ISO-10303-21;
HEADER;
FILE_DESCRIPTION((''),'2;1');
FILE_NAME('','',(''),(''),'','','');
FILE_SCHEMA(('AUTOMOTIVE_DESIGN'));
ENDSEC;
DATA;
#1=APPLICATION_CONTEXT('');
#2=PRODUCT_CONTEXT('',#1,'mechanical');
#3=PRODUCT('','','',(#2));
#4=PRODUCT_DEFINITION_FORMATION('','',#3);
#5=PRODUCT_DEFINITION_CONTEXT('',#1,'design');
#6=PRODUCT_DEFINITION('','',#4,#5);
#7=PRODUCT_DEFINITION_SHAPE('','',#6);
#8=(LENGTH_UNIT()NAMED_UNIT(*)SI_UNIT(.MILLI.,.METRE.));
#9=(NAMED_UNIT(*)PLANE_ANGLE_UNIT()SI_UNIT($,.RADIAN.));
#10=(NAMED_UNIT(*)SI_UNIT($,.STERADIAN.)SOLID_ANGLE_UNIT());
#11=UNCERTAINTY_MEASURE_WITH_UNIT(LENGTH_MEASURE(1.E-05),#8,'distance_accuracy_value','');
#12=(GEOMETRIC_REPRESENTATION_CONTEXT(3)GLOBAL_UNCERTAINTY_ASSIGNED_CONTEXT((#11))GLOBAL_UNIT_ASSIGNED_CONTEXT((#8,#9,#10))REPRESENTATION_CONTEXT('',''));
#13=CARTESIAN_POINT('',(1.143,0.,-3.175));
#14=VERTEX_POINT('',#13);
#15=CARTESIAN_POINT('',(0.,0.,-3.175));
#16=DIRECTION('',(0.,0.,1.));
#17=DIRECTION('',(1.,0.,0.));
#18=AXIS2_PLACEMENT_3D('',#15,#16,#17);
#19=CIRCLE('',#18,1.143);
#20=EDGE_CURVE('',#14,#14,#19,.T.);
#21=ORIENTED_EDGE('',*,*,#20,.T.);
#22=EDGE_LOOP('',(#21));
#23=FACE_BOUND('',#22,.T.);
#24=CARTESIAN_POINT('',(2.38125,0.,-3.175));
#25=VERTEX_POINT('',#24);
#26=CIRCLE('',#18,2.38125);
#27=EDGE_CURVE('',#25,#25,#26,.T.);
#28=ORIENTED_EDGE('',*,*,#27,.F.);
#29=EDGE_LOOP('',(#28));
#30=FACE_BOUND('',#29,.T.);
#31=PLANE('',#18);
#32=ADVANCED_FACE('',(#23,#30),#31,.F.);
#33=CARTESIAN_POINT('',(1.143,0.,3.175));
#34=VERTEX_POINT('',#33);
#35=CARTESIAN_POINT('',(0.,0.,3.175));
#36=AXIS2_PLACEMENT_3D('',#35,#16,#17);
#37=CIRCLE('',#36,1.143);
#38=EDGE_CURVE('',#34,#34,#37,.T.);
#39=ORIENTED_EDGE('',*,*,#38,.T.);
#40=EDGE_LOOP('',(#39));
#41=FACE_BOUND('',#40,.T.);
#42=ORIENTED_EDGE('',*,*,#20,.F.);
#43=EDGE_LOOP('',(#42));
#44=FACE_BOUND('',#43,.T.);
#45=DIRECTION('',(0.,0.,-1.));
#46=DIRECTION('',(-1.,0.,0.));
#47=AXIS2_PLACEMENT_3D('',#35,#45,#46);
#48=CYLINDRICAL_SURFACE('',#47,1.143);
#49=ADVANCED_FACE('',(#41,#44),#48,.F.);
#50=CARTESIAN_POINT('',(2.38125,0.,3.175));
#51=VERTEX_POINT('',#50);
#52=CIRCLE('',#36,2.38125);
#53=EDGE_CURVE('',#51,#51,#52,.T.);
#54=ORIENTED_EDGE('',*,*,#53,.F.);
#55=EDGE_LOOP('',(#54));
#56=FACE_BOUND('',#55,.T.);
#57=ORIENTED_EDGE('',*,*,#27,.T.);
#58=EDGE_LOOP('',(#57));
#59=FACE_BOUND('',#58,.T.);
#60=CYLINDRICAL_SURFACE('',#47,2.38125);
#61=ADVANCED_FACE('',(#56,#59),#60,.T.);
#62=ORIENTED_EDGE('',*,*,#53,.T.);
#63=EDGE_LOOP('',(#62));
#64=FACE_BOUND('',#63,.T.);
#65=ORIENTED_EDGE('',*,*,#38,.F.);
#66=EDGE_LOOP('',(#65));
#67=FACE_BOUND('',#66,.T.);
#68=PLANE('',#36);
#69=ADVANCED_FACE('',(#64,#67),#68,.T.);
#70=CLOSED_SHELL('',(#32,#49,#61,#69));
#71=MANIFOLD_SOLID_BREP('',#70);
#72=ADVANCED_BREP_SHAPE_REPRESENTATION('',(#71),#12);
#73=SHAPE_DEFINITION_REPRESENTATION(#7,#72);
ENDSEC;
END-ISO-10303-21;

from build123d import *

# Parameters (mm, degrees)
SKETCH1_R      = 2.38125
SKETCH1_R_2    = 1.143
EXTRUDE1_DEPTH = 3.175


with BuildPart() as part:
    # Sketch1 → Extrude1 (new body, symmetric)
    with BuildSketch(Plane.XY):
        Circle(SKETCH1_R)
        Circle(SKETCH1_R_2, mode=Mode.SUBTRACT)
    extrude(amount=EXTRUDE1_DEPTH, both=True)


solid = part.part
